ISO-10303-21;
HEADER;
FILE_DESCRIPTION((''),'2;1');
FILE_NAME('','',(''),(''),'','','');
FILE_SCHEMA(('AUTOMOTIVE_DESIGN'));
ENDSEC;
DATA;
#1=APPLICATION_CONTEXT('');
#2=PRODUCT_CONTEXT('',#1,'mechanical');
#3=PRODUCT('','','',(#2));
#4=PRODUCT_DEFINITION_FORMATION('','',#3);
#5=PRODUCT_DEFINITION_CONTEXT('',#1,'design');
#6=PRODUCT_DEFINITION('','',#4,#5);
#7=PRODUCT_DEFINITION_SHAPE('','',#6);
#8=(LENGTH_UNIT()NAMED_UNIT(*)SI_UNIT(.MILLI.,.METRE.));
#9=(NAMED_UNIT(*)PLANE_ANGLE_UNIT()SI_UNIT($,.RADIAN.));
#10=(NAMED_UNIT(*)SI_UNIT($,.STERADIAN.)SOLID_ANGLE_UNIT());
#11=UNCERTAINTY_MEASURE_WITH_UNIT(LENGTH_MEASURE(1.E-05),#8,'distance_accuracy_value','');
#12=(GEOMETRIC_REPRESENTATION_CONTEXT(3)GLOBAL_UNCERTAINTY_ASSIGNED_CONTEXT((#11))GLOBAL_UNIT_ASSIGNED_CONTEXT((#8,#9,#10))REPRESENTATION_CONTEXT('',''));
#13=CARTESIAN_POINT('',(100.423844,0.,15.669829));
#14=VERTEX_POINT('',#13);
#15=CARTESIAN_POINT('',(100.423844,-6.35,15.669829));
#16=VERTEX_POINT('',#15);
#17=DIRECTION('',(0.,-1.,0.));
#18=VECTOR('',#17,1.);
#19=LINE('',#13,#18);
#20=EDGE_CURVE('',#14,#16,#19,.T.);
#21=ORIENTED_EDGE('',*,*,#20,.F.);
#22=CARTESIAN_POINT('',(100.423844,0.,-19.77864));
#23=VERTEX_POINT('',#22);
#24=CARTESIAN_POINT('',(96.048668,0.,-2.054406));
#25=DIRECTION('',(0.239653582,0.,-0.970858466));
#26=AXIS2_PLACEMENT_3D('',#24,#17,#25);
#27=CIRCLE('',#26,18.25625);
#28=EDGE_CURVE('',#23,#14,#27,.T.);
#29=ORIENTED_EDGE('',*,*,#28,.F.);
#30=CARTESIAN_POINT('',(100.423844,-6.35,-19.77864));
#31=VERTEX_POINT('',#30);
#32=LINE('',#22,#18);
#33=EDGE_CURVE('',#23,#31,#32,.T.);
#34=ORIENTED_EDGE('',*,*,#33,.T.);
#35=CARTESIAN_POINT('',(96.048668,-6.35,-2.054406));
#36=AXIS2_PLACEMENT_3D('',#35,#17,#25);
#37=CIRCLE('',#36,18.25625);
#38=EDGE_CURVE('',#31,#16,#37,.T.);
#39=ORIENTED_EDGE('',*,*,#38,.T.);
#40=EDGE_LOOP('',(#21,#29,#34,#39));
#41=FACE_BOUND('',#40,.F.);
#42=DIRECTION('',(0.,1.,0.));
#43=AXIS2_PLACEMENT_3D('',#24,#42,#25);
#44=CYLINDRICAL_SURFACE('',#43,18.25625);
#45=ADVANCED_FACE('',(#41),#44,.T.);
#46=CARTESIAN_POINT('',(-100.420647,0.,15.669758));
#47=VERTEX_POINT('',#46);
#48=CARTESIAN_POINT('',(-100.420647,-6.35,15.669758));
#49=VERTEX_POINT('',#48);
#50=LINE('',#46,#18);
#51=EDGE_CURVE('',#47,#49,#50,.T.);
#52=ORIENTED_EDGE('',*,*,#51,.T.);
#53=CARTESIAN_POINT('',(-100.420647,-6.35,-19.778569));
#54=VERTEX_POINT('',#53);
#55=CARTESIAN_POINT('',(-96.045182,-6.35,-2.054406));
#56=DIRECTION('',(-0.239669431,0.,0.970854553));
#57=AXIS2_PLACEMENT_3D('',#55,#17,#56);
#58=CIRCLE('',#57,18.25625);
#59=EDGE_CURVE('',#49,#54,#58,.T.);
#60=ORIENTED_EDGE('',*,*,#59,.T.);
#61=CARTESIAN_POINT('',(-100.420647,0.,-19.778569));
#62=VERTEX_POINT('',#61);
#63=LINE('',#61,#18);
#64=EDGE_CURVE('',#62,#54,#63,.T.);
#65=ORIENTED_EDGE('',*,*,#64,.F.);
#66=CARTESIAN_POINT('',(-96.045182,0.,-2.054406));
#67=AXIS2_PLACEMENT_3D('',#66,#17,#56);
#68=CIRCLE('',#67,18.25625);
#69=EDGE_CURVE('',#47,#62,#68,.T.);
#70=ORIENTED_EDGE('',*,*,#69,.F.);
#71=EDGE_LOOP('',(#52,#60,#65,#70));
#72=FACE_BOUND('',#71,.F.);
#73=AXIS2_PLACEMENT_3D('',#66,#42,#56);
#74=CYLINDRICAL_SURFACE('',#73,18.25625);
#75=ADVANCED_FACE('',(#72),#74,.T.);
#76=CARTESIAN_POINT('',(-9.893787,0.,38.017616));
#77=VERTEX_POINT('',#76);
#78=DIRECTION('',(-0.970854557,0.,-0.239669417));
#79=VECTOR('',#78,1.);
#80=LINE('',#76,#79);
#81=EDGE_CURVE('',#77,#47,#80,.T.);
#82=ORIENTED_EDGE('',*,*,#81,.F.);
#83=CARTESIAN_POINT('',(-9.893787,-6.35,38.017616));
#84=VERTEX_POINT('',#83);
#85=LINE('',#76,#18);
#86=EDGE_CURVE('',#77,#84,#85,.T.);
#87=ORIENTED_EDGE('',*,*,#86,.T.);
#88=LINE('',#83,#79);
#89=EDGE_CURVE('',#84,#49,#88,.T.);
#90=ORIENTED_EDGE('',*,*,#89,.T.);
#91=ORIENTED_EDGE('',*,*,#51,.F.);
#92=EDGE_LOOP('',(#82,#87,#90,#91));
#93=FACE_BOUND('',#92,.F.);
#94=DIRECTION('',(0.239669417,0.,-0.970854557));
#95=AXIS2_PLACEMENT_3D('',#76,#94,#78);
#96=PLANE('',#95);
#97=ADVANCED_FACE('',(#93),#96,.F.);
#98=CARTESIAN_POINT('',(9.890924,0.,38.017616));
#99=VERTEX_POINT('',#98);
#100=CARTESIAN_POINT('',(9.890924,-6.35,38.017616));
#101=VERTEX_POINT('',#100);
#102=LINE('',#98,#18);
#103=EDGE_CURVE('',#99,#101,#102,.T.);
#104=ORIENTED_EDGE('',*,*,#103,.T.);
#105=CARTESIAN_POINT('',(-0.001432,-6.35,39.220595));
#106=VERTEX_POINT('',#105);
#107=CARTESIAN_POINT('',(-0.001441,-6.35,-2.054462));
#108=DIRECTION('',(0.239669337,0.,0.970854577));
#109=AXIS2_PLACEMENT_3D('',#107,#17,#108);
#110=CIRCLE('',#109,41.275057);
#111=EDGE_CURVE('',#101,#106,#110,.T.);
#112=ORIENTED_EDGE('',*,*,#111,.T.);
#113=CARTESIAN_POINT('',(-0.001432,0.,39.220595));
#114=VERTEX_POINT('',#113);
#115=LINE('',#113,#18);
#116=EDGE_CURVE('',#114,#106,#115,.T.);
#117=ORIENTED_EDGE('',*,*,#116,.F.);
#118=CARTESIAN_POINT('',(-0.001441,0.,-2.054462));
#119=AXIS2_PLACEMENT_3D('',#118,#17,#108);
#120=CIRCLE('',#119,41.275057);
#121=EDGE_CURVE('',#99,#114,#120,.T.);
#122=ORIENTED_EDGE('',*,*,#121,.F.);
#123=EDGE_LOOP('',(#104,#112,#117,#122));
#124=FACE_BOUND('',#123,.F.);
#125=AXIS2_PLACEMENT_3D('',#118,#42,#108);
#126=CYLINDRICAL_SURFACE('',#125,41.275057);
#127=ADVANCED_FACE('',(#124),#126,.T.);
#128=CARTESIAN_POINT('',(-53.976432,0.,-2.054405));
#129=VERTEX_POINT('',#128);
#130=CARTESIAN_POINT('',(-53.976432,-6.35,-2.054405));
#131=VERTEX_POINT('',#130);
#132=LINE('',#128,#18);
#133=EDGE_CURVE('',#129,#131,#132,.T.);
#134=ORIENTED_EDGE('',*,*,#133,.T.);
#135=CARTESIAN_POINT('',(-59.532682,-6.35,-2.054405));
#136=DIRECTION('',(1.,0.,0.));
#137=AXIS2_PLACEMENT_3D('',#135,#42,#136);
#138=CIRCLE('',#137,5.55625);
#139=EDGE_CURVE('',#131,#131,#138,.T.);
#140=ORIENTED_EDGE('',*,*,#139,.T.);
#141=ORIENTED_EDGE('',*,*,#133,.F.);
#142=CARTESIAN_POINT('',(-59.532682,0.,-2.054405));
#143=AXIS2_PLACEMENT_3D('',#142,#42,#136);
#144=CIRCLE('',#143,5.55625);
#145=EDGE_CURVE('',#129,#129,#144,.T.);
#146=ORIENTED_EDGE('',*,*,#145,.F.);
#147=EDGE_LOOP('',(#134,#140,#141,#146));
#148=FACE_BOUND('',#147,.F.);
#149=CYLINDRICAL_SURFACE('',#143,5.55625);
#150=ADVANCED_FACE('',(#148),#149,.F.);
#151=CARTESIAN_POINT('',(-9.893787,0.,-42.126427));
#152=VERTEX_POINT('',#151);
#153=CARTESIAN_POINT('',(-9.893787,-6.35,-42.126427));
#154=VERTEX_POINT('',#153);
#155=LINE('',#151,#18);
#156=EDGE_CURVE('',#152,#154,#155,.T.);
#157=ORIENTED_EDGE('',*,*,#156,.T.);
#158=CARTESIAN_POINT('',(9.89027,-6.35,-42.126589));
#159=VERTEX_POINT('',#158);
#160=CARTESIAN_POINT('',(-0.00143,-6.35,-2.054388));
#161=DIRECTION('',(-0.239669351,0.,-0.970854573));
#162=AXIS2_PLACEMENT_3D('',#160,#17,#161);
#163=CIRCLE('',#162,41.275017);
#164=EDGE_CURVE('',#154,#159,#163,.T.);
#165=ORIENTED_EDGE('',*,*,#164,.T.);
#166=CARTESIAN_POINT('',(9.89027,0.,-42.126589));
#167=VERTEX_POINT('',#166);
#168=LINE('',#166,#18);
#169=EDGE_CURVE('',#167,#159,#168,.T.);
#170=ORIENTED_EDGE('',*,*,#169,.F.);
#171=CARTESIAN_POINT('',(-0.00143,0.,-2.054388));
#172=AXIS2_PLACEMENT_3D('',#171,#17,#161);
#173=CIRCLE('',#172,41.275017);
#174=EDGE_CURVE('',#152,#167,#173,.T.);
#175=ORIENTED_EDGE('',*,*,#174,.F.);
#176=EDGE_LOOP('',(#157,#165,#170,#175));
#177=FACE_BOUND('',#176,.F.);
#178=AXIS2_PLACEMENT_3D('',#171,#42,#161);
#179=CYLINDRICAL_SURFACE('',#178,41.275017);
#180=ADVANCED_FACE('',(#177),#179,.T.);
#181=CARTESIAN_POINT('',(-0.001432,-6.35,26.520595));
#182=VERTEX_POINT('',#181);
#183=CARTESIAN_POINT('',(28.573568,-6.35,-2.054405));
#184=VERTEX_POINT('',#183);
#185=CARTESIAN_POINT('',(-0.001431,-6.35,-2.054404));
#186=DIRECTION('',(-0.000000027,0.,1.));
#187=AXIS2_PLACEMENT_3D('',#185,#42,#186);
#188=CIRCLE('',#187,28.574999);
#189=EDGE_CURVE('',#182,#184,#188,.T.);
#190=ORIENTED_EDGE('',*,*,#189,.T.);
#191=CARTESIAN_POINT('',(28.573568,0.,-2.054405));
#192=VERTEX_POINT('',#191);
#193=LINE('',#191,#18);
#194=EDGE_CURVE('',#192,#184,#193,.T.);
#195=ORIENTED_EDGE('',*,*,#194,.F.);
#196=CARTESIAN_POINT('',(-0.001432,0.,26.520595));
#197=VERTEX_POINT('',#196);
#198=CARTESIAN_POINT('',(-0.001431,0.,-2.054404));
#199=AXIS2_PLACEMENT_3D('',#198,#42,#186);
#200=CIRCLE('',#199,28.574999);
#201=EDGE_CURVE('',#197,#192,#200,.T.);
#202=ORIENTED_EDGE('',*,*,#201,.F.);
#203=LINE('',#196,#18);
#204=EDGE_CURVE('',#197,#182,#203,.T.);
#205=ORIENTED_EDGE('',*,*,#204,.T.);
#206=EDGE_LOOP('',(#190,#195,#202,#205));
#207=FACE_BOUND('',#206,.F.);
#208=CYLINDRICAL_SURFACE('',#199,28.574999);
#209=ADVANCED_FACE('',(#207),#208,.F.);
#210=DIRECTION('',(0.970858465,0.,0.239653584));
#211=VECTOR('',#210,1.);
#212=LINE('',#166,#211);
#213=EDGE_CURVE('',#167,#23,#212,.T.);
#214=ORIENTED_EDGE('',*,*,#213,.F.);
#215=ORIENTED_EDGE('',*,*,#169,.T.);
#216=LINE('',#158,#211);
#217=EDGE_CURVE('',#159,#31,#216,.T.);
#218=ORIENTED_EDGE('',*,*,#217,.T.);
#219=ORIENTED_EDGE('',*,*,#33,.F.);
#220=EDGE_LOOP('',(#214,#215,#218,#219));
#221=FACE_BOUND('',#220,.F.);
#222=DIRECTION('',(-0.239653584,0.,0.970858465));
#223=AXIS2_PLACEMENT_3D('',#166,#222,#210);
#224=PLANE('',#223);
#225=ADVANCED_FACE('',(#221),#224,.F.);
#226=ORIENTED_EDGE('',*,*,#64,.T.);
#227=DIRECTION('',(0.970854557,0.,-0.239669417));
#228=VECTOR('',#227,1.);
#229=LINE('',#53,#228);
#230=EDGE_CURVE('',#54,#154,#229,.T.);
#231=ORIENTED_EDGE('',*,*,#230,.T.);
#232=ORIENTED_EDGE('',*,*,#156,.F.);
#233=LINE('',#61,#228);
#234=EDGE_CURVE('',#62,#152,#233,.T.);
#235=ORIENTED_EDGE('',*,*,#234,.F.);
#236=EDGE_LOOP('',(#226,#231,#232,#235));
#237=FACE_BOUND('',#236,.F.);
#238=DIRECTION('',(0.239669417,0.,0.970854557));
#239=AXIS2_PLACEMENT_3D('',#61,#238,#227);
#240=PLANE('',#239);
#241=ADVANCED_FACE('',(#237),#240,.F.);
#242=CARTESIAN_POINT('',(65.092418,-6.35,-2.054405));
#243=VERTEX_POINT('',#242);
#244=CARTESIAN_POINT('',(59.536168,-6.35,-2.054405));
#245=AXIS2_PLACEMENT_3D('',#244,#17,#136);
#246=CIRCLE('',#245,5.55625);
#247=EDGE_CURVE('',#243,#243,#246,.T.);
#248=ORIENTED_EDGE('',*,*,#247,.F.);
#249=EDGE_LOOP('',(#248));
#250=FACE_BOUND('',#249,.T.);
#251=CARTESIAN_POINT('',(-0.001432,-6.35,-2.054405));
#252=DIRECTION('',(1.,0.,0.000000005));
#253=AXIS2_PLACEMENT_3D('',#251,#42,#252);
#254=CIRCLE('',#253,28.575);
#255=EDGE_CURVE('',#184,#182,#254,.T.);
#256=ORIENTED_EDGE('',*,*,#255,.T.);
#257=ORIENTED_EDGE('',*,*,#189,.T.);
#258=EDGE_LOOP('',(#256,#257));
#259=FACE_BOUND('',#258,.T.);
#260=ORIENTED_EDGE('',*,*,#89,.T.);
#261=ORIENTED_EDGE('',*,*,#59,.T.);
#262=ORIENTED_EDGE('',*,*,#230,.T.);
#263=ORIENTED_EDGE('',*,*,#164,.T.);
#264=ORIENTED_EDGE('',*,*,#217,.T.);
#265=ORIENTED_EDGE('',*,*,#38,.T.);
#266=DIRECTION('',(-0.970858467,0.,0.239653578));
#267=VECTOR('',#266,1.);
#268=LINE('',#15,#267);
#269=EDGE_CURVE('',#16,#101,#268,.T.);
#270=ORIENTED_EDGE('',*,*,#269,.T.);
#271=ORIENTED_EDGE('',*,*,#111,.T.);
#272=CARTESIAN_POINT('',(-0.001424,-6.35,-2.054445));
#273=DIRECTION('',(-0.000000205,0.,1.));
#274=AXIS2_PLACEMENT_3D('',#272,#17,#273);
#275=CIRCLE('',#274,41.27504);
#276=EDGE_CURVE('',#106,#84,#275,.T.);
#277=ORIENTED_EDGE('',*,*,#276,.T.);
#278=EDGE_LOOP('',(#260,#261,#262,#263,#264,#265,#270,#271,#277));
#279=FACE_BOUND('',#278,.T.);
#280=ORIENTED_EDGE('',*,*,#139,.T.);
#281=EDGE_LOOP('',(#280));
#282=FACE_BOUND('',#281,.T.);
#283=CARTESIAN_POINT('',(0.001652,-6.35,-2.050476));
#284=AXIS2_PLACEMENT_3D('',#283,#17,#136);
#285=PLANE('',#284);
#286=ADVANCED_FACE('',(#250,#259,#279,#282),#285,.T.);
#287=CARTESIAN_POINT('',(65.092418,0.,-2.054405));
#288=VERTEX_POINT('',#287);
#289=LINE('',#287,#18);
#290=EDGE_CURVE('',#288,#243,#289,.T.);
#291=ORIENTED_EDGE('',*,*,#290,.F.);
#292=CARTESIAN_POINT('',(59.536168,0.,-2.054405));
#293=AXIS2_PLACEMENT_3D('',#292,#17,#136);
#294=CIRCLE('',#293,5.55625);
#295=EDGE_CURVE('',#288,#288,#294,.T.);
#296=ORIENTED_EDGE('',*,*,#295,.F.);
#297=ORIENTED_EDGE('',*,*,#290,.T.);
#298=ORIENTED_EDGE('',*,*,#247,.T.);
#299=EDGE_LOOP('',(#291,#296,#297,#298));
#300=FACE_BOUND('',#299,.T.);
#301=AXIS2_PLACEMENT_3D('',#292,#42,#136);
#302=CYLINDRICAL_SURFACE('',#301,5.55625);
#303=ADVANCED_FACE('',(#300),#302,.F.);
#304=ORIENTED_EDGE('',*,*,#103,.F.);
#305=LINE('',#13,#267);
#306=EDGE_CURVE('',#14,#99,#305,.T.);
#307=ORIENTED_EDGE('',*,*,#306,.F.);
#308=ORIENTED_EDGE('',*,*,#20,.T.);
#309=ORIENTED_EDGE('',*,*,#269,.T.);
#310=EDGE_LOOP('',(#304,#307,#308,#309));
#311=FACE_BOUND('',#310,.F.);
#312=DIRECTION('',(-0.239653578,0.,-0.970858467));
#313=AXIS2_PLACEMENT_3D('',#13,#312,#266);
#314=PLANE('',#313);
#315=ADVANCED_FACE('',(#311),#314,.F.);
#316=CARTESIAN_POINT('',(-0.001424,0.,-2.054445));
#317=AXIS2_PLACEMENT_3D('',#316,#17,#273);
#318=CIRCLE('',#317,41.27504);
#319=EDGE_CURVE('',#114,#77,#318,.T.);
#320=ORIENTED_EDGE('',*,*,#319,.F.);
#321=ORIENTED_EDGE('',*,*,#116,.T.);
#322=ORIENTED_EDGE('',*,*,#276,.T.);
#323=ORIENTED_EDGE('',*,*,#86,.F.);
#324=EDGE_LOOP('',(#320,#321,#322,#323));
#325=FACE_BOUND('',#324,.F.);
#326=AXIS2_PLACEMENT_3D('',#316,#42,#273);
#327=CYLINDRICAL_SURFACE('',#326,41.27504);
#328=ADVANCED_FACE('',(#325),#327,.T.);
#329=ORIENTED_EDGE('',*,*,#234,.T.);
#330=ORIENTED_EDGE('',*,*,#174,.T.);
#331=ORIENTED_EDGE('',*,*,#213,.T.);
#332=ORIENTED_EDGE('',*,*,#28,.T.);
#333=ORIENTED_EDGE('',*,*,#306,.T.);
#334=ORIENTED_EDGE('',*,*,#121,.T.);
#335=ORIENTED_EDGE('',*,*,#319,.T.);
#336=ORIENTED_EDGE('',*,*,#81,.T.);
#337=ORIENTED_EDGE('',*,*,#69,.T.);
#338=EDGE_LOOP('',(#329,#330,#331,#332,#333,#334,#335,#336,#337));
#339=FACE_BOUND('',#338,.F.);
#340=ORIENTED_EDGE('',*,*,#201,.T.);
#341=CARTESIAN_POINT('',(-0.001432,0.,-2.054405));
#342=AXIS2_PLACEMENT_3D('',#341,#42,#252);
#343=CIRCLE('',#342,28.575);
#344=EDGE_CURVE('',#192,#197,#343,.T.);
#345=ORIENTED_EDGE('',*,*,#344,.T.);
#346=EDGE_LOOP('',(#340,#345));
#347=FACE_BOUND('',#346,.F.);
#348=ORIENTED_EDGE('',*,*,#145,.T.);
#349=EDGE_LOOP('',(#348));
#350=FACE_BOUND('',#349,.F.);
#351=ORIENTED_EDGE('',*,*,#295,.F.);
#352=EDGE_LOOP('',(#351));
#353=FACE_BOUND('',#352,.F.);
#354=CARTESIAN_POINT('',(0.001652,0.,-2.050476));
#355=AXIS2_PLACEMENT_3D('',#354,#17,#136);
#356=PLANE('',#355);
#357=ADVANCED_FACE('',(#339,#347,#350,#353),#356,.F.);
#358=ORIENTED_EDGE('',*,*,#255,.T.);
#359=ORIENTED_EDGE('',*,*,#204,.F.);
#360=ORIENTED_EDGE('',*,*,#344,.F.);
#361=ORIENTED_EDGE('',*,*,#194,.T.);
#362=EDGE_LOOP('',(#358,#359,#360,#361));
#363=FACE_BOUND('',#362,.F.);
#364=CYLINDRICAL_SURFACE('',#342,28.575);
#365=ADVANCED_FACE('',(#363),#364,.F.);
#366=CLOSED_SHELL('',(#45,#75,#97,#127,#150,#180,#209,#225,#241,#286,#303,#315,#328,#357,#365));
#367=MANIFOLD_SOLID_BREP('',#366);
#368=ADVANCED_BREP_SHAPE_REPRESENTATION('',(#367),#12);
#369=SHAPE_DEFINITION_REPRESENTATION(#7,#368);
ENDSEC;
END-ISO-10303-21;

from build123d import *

# Parameters (mm, degrees)
F0_R     = 5.55625
F1_DEPTH = 6.35


with BuildPart() as f1:
    # F0 (on Front) → F1 (new body)
    with BuildSketch(Plane.XZ):
        with BuildLine():
            ThreePointArc((9.890924, 38.017616), (4.981184, 38.918746), (-0.001432, 39.220595))
            ThreePointArc((-0.001432, 39.220595), (-4.984048, 38.918746), (-9.893787, 38.017616))
            Line((-9.893787, 38.017616), (-100.420647, 15.669758))
            ThreePointArc((-100.420647, 15.669758), (-114.301432, -2.054405), (-100.420647, -19.778569))
            Line((-100.420647, -19.778569), (-9.893787, -42.126427))
            ThreePointArc((-9.893787, -42.126427), (-0.001769, -43.329405), (9.89027, -42.126589))
            Line((9.89027, -42.126589), (100.423844, -19.77864))
            ThreePointArc((100.423844, -19.77864), (114.304918, -2.054405), (100.423844, 15.669829))
            Line((100.423844, 15.669829), (9.890924, 38.017616))
        make_face()
        with BuildLine():
            ThreePointArc((-65.088932, -2.054405), (-59.532682, 3.501845), (-53.976432, -2.054405))
            ThreePointArc((-53.976432, -2.054405), (-59.532682, -7.610655), (-65.088932, -2.054405))
        make_face(mode=Mode.SUBTRACT)
        with BuildLine():
            ThreePointArc((-0.001432, 26.520595), (20.204145, 18.151171), (28.573568, -2.054405))
            ThreePointArc((28.573568, -2.054405), (-20.207008, -22.259982), (-0.001432, 26.520595))
        make_face(mode=Mode.SUBTRACT)
        with Locations((59.536168, -2.054405)):
            Circle(F0_R, mode=Mode.SUBTRACT)
    extrude(amount=F1_DEPTH)


solid = f1.part
